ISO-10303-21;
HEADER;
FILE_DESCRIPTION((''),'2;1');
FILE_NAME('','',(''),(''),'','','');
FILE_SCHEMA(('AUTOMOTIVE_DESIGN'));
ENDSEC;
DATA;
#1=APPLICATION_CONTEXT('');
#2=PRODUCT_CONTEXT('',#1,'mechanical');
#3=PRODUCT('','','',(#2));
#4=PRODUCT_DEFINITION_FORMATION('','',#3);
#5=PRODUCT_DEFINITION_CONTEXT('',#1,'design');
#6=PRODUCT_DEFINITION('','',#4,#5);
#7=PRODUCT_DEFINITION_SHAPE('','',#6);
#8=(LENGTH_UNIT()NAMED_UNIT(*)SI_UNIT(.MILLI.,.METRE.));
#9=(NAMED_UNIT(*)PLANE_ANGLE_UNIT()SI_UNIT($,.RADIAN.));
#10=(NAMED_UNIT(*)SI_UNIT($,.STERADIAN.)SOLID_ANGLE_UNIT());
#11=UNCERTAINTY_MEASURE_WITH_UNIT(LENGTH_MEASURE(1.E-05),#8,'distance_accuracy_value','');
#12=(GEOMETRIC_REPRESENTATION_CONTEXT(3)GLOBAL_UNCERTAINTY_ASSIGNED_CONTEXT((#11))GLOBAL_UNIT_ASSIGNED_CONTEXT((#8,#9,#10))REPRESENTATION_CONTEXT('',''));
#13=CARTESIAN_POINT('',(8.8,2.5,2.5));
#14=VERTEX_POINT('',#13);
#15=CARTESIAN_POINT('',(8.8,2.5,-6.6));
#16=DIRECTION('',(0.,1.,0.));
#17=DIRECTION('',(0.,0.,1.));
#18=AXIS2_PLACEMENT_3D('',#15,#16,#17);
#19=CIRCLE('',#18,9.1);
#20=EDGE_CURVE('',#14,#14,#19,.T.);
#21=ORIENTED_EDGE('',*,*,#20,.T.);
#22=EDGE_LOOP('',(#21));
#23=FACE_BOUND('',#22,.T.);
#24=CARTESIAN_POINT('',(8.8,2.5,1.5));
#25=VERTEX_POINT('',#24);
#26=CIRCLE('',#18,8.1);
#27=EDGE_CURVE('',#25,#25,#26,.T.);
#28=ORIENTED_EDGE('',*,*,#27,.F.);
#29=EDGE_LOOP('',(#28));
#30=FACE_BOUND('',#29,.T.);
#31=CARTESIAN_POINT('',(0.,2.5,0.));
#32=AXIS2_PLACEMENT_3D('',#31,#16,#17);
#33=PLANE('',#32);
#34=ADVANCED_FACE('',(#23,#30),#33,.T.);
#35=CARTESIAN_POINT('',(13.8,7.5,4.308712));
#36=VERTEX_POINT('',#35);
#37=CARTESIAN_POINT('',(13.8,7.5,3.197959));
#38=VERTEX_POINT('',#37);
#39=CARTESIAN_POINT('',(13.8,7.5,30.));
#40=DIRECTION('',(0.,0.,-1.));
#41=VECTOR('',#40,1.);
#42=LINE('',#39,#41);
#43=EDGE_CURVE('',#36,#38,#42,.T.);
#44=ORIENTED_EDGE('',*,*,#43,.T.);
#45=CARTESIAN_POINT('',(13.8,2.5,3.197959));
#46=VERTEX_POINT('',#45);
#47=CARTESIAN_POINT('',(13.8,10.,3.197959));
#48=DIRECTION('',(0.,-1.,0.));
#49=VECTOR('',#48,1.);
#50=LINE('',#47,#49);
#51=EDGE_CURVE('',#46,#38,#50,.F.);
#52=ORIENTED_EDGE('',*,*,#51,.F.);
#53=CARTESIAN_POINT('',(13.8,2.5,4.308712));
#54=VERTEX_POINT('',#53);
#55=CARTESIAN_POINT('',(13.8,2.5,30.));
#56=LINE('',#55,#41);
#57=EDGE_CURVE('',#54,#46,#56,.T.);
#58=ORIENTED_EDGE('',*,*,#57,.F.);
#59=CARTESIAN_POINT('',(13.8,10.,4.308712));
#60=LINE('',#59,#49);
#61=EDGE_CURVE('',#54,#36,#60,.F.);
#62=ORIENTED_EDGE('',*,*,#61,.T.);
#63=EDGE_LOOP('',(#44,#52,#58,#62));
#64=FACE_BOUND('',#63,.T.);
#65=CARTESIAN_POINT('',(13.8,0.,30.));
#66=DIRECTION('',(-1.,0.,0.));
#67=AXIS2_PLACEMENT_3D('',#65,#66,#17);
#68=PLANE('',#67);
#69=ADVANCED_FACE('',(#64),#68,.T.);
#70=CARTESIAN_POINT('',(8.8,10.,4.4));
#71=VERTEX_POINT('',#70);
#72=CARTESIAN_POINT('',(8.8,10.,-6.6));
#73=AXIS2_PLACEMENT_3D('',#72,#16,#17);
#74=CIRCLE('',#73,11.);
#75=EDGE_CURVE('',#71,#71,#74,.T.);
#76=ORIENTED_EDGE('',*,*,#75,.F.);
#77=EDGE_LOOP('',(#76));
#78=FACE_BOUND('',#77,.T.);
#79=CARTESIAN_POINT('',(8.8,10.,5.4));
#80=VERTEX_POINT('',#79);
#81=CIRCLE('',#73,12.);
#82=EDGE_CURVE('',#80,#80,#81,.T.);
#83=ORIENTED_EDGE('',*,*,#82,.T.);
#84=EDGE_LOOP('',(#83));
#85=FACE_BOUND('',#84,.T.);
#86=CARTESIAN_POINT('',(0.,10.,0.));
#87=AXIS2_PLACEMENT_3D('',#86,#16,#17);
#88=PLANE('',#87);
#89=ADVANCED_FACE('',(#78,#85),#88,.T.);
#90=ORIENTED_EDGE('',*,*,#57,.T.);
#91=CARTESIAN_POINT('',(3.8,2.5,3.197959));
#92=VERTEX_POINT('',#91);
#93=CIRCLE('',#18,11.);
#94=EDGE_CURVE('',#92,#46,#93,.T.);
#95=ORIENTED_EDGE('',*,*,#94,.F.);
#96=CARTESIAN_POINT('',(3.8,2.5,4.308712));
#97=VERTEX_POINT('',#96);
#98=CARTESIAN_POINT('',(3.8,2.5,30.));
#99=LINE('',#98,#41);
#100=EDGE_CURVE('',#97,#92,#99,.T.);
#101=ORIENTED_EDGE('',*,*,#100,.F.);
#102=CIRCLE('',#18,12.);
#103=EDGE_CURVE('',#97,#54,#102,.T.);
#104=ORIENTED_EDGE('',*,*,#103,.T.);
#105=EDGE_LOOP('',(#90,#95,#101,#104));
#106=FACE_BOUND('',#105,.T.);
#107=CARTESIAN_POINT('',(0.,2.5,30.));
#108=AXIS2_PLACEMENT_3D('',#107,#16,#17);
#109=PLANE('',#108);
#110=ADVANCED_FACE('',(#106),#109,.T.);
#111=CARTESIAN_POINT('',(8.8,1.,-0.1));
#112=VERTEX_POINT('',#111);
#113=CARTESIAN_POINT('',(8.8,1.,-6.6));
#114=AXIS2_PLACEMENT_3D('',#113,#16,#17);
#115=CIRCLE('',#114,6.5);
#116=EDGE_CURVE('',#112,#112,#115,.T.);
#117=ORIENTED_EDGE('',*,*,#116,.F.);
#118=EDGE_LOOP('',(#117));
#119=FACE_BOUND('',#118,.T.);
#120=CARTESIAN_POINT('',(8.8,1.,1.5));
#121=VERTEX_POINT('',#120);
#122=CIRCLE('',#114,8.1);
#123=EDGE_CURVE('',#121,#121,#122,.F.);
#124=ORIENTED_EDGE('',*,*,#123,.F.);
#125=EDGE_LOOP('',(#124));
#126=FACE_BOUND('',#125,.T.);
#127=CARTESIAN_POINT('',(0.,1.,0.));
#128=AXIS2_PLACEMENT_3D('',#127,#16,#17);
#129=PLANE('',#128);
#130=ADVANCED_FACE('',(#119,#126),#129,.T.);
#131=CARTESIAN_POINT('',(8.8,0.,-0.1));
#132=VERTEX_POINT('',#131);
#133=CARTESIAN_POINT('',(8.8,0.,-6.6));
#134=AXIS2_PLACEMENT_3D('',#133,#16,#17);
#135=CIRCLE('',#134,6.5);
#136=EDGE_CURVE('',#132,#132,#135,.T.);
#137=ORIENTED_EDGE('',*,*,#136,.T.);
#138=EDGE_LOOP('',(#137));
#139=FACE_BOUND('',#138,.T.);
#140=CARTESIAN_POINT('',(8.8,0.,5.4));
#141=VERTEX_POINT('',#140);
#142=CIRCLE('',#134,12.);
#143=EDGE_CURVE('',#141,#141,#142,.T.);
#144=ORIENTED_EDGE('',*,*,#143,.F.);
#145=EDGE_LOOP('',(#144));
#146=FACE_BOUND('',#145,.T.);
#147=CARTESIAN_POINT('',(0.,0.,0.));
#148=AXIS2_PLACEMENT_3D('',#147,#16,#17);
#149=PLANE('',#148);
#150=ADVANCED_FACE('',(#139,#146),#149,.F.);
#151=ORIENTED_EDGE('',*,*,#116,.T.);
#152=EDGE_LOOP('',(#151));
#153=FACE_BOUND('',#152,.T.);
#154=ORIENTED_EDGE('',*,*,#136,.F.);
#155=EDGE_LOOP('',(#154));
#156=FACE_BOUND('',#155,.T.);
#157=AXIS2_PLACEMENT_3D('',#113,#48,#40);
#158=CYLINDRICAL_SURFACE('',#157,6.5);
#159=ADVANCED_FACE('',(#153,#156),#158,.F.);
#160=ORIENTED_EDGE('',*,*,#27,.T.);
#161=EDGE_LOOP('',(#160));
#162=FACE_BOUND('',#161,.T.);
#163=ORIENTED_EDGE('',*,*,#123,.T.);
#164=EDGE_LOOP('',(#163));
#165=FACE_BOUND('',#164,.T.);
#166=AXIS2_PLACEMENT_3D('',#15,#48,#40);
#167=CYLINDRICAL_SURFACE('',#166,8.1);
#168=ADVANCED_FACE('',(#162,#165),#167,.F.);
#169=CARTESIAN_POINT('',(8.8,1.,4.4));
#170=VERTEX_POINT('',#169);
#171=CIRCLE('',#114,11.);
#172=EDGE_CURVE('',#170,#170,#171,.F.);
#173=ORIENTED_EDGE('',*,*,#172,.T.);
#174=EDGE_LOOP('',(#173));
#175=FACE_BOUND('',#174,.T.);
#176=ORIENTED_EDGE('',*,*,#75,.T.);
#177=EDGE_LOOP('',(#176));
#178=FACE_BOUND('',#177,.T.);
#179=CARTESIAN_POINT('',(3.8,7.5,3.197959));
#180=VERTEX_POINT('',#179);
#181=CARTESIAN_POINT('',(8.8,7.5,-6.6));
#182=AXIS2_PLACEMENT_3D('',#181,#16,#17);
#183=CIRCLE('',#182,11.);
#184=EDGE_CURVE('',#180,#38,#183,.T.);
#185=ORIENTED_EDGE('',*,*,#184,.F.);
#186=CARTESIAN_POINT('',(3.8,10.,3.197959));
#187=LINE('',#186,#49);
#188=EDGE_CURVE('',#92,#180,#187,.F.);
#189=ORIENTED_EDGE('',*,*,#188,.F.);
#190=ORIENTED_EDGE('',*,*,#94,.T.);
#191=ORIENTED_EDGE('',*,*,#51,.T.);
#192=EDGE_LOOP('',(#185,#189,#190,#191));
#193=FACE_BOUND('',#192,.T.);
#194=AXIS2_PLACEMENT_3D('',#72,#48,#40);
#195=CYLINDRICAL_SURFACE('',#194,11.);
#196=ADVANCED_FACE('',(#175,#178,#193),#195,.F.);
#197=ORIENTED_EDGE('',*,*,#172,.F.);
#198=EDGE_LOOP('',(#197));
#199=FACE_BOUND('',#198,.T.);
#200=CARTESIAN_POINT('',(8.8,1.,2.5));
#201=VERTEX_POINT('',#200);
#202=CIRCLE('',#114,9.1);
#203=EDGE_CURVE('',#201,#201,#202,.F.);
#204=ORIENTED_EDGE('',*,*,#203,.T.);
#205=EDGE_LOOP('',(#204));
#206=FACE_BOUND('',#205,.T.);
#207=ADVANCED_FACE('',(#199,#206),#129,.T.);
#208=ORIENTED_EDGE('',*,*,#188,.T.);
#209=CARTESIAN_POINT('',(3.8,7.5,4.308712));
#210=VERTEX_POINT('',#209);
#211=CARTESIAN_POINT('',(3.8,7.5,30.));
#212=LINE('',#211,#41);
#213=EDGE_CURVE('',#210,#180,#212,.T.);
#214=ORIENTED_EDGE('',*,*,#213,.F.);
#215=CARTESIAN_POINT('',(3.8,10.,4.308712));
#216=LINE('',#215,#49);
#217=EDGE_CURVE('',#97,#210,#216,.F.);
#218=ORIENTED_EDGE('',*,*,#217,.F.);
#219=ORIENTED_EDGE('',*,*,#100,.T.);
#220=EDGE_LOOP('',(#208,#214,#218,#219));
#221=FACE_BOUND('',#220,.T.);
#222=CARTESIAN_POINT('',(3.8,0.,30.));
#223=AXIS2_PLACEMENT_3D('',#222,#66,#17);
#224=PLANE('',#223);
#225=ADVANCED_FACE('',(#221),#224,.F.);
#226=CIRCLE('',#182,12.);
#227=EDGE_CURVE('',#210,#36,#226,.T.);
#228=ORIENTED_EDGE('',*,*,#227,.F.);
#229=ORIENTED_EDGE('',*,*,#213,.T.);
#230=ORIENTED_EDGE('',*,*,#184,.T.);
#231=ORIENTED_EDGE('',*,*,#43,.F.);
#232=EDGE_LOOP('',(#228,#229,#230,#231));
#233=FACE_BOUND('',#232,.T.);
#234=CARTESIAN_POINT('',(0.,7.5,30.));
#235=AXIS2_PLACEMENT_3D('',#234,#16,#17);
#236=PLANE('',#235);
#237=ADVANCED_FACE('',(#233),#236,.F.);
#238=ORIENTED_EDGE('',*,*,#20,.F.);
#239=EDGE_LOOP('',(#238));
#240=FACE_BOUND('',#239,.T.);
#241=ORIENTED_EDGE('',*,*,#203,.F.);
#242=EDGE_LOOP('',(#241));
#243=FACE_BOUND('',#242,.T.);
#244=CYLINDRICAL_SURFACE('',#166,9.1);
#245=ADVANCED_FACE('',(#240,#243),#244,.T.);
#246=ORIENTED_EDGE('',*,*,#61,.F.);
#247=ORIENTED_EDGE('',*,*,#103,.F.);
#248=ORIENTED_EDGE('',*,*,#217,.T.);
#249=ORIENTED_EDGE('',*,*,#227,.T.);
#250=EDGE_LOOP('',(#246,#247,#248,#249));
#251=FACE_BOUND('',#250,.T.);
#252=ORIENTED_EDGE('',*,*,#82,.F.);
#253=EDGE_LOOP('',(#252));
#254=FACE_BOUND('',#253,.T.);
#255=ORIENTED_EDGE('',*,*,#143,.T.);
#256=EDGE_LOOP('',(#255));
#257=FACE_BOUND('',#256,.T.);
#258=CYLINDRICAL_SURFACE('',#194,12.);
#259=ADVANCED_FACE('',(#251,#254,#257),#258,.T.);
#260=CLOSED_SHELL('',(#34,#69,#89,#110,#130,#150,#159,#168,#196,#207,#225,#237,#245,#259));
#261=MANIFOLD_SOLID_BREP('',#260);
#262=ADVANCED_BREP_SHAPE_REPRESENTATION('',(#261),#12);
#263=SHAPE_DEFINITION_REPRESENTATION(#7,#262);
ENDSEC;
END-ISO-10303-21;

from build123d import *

# Parameters (mm, degrees)
CROQUIS1_R              = 11
CROQUIS1_R_2            = 6.5
SALIENTE_EXTRUIR2_DEPTH = 1
CROQUIS1_6_R            = 9.1
CROQUIS1_6_R_2          = 8.1
SALIENTE_EXTRUIR3_DEPTH = 2.5
CROQUIS1_8_R            = 12
CROQUIS1_8_R_2          = 11
SALIENTE_EXTRUIR4_DEPTH = 10
CROQUIS10_W             = 10
CROQUIS10_H             = 5
CORTAR_EXTRUIR1_DEPTH   = 30


with BuildPart() as part:
    # Croquis1 → Saliente-Extruir2 (new body)
    with BuildSketch(Plane(origin=(0, 0, 0), x_dir=(1, 0, 0), z_dir=(0, 1, 0))):
        with Locations((8.8, 6.6)):
            Circle(CROQUIS1_R)
        with Locations((8.8, 6.6)):
            Circle(CROQUIS1_R_2, mode=Mode.SUBTRACT)
    extrude(amount=SALIENTE_EXTRUIR2_DEPTH)

    # Croquis1<6> → Saliente-Extruir3 (add)
    with BuildSketch(Plane(origin=(0, 0, 0), x_dir=(1, 0, 0), z_dir=(0, 1, 0))):
        with Locations((8.8, 6.6)):
            Circle(CROQUIS1_6_R)
        with Locations((8.8, 6.6)):
            Circle(CROQUIS1_6_R_2, mode=Mode.SUBTRACT)
    extrude(amount=SALIENTE_EXTRUIR3_DEPTH)

    # Croquis1<8> → Saliente-Extruir4 (add)
    with BuildSketch(Plane(origin=(0, 0, 0), x_dir=(1, 0, 0), z_dir=(0, 1, 0))):
        with Locations((8.8, 6.6)):
            Circle(CROQUIS1_8_R)
        with Locations((8.8, 6.6)):
            Circle(CROQUIS1_8_R_2, mode=Mode.SUBTRACT)
    extrude(amount=SALIENTE_EXTRUIR4_DEPTH)

    # Croquis10 → Cortar-Extruir1 (cut)
    with BuildSketch(Plane.XY):
        with Locations((8.8, 5)):
            Rectangle(CROQUIS10_W, CROQUIS10_H)
    extrude(amount=CORTAR_EXTRUIR1_DEPTH, mode=Mode.SUBTRACT)


solid = part.part
